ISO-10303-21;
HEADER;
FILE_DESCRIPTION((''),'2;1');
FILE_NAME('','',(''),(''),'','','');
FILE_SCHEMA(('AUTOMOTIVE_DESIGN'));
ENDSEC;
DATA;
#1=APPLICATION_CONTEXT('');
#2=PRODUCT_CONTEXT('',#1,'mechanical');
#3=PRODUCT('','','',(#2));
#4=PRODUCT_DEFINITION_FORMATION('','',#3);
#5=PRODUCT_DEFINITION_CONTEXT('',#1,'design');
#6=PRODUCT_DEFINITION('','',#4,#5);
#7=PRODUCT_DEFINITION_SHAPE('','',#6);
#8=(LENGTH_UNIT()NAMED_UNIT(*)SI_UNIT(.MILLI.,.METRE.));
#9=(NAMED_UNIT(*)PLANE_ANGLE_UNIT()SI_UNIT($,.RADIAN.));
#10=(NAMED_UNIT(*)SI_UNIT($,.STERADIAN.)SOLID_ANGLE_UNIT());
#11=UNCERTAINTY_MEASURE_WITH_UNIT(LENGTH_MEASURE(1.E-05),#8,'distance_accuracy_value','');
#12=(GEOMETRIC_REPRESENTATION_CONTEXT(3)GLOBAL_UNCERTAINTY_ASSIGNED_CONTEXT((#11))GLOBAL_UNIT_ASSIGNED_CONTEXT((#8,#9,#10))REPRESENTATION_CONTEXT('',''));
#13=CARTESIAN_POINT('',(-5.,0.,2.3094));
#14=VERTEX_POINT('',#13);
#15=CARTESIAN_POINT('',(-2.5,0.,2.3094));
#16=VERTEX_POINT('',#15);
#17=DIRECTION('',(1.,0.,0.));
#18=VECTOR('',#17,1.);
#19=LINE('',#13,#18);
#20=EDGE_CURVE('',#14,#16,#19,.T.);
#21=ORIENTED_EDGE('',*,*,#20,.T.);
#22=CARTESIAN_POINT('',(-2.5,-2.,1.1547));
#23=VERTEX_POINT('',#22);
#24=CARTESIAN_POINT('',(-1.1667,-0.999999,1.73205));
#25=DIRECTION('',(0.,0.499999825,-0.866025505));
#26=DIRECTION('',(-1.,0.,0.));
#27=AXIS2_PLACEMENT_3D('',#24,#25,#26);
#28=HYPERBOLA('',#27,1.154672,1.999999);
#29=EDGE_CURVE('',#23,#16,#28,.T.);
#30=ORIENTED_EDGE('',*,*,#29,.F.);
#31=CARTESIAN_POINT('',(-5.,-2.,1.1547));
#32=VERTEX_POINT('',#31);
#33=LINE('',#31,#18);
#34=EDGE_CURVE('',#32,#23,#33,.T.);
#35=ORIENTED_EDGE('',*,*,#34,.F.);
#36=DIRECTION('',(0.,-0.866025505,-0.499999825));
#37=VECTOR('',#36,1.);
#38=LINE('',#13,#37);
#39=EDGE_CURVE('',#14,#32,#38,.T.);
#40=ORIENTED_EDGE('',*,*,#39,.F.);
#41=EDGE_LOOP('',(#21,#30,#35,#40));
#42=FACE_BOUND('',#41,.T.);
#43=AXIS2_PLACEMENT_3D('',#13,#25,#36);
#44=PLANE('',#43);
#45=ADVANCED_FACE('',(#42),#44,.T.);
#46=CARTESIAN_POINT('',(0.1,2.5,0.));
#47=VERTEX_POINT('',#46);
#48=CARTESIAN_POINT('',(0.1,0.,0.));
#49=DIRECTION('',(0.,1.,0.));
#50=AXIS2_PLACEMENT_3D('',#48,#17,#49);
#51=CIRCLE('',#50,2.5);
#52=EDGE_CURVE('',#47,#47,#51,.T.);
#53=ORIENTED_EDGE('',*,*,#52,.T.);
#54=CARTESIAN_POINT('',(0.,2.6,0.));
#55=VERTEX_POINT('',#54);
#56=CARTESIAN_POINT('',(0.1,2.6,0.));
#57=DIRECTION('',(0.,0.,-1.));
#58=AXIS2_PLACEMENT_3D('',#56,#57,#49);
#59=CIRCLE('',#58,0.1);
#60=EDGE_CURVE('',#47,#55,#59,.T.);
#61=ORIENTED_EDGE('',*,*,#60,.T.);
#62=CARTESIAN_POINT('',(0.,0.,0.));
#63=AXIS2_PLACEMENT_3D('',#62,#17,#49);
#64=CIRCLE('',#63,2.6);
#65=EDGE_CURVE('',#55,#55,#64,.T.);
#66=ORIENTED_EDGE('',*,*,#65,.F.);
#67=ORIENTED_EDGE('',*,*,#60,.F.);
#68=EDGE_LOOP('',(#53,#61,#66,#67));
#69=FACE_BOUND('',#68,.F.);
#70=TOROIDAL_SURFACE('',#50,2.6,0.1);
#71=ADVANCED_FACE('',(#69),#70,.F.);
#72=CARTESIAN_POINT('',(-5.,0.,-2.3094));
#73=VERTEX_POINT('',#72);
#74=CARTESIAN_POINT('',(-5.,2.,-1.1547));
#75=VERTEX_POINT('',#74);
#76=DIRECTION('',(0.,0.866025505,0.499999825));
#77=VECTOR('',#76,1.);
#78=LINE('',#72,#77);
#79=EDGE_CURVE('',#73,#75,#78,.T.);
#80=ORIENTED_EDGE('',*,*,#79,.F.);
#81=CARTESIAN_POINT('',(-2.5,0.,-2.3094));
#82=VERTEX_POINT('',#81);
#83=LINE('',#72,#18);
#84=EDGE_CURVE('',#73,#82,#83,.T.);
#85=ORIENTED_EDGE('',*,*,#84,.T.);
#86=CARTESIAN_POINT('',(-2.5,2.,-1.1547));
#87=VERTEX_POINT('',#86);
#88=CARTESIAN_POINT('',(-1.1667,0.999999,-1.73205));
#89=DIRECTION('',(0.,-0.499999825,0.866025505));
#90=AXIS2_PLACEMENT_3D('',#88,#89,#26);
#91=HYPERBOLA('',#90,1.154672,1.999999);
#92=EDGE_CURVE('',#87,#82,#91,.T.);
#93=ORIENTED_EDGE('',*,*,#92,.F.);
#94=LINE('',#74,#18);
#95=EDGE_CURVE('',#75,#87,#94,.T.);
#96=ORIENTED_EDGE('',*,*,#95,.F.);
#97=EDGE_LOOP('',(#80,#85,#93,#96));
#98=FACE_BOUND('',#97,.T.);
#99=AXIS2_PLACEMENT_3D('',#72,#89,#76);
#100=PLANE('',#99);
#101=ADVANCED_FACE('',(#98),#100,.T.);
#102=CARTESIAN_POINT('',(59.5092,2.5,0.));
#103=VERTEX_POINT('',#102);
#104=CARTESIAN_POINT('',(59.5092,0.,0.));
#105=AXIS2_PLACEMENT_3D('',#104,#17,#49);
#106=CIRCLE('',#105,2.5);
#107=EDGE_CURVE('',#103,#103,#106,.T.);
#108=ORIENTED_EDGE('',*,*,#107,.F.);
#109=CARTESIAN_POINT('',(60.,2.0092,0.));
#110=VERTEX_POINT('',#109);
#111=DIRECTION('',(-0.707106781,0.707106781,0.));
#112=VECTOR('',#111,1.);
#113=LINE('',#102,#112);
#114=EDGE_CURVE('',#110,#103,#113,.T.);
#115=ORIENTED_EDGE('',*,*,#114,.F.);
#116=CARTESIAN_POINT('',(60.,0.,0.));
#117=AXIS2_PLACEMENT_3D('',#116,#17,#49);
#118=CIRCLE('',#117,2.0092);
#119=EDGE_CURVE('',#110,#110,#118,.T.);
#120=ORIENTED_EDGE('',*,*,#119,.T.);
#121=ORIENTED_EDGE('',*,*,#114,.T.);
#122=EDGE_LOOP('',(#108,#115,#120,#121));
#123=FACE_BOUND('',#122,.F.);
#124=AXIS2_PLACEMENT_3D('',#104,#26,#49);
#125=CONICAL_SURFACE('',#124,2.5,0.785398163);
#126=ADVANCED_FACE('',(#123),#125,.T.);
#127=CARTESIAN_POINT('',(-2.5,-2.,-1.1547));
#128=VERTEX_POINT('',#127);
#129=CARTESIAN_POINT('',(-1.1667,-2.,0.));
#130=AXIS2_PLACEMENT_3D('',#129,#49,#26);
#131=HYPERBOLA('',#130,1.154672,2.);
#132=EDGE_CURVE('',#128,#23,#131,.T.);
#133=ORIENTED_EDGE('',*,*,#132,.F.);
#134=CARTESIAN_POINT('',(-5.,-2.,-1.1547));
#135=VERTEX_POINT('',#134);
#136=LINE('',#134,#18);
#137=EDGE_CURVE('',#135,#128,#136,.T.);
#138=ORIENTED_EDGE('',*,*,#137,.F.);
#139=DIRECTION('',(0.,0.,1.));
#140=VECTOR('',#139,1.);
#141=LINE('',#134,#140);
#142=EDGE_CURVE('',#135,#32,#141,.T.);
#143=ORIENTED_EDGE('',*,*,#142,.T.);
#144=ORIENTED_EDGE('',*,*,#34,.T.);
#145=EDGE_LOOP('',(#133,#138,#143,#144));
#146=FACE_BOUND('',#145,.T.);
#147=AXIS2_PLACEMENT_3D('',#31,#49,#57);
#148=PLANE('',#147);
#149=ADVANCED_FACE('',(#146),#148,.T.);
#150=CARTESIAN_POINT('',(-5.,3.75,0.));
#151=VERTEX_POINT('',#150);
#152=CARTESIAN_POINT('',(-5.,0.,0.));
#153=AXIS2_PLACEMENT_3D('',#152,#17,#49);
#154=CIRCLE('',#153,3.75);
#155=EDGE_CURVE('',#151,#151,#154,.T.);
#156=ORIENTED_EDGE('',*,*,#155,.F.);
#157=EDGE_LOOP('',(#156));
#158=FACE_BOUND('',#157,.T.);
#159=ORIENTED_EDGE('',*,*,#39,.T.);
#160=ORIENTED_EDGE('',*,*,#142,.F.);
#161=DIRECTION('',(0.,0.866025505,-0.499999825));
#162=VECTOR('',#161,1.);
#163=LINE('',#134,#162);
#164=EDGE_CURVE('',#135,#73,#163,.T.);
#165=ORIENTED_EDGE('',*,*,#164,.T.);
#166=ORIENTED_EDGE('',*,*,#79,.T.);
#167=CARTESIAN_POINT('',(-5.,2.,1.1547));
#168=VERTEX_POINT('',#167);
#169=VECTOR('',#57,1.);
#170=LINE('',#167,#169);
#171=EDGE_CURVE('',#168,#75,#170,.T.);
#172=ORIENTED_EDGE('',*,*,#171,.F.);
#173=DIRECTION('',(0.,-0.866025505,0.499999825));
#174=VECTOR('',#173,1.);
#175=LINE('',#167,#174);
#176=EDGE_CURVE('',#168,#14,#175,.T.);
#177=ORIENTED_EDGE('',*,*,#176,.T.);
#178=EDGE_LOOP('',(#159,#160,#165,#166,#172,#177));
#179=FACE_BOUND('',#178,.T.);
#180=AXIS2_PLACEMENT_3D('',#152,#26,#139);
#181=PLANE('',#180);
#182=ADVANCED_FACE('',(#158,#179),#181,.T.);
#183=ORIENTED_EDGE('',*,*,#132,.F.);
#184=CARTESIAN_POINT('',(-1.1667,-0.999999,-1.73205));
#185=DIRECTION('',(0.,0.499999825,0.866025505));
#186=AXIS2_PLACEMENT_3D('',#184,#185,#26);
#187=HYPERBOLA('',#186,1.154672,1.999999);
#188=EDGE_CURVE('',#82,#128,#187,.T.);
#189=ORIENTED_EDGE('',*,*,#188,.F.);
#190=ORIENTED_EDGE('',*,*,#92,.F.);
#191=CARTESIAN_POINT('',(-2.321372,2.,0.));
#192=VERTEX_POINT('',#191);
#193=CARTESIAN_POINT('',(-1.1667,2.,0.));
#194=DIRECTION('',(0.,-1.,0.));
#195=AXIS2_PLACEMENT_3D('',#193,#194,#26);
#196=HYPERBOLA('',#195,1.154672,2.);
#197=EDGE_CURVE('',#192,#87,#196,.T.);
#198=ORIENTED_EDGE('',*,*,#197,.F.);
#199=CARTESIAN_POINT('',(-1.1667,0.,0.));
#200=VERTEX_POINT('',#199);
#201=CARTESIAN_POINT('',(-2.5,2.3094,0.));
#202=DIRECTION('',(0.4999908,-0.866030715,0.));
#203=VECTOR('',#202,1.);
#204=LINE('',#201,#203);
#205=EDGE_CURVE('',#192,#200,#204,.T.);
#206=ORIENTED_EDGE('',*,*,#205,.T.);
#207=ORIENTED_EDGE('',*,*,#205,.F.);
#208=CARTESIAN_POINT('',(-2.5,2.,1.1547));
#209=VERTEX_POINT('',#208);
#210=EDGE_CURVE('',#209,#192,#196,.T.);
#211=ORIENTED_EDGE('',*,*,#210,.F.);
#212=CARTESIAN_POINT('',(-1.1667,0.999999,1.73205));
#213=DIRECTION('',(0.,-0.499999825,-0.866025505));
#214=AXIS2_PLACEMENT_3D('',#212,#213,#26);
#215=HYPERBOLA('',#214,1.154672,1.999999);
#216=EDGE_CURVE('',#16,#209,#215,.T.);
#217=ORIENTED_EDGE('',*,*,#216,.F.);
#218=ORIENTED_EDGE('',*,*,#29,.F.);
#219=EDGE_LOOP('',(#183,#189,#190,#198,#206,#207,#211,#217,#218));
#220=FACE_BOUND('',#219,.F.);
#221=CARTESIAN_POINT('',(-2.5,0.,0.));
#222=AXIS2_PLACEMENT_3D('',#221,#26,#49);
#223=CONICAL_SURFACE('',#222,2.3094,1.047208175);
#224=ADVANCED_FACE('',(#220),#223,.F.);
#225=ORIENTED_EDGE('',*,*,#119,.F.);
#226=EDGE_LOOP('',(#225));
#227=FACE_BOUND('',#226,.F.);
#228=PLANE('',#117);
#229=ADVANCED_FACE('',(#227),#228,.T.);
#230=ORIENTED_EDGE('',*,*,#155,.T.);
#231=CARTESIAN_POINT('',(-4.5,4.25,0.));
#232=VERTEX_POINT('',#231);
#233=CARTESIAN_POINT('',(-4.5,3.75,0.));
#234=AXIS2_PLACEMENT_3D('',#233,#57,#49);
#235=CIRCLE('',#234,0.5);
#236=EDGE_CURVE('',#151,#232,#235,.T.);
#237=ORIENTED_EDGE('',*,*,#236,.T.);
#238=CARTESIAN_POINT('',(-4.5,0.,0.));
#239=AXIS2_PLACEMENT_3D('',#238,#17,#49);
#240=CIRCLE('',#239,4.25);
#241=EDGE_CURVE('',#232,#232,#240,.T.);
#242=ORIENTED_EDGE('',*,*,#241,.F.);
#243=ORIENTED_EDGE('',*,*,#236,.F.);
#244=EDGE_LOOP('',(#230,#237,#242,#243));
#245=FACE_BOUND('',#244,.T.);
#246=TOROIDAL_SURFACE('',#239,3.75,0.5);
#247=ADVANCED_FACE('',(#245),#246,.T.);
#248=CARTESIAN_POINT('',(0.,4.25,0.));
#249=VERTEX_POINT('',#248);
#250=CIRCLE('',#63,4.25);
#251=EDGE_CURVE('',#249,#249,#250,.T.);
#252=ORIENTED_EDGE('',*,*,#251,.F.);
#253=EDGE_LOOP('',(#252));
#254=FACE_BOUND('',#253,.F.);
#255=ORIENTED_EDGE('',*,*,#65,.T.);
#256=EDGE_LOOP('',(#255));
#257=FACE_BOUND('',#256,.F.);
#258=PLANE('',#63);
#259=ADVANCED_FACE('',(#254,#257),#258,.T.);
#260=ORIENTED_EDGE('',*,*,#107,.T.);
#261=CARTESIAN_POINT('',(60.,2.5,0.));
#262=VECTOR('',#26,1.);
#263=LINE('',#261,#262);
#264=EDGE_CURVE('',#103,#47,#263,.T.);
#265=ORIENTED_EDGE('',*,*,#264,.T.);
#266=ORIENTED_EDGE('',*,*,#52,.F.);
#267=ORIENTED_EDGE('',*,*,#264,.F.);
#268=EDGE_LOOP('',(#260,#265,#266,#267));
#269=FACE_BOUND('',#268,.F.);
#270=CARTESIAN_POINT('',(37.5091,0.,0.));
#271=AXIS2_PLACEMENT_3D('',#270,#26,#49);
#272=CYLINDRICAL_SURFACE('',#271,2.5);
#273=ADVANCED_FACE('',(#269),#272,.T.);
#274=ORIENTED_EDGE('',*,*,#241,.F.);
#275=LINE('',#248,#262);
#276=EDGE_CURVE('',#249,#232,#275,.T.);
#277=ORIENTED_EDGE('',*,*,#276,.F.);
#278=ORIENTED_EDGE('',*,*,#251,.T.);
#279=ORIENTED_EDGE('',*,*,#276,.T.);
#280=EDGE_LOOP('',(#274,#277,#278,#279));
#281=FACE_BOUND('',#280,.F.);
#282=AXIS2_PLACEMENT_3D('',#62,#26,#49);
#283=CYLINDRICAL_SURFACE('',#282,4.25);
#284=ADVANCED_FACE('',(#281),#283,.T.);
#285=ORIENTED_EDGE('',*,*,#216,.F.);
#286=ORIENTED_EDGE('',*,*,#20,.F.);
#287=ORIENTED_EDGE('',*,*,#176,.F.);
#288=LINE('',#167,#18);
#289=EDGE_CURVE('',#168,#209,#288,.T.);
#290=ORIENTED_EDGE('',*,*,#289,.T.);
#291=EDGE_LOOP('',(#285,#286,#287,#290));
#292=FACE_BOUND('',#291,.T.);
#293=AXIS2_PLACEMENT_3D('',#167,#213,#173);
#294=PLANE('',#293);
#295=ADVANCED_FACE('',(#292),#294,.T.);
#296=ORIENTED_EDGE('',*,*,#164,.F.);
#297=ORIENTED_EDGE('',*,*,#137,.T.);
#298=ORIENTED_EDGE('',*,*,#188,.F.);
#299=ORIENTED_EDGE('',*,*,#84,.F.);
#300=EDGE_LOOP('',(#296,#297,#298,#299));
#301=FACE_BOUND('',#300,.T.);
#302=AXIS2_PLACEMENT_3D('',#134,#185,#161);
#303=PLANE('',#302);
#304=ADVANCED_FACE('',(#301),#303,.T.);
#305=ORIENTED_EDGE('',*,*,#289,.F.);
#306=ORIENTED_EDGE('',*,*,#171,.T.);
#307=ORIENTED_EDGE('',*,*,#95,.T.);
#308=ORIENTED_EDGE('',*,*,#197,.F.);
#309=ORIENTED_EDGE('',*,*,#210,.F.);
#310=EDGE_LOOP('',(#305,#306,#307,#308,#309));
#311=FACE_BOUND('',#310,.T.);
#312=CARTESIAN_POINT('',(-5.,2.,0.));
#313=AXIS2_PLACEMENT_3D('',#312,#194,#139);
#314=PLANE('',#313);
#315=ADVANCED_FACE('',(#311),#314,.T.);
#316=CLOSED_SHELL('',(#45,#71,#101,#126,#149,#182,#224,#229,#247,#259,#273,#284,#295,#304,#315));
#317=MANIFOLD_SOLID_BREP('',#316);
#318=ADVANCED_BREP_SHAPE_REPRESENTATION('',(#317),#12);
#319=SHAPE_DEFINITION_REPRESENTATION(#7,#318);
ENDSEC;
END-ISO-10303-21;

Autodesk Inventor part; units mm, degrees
ref_plane "YZ Plane" through (0, 0, 0) normal (1, 0, 0) x (0, 1, 0)
ref_plane "XZ Plane" through (0, 0, 0) normal (0, 1, 0) x (-1, 0, 0)
sketch "Sketch1" plane through (0, 0, 0) normal (0, 0, 1) x (1, 0, 0)
  line L0 (-1.1667, 0) -> (60, 0)
  line L1 (60, 0) -> (60, 2.5)
  line L2 (60, 2.5) -> (38, 2.5)
  line L3 (38, 2.5) -> (37.5091, 2.5)
  line L4 (37.5091, 2.5) -> (0, 2.5)
  line L5 (0, 2.5) -> (0, 4.25)
  line L6 (0, 4.25) -> (-5, 4.25)
  line L7 (-5, 4.25) -> (-5, 2.3094)
  line L8 (-5, 2.3094) -> (-2.5, 2.3094)
  line L9 (-2.5, 2.3094) -> (-1.1667, 0)
  line L10 (-18, 0) -> (73, 0) projected
  line L11 (0, -0.85) -> (0, 5.1) projected
  line L12 (38, 2.5) -> (0, 2.5) construction
  dimension "d1" = 22
  dimension "d2" = 0.4909
  dimension "d3" = 5
  dimension "d4" = 2.5
  dimension "d5" = 60
  dimension "d6" = 5
  dimension "d7" = 5
  dimension "d8" = 4.6188
  dimension "d9" = 8.5
  dimension "d26" = 60
revolve "Body" add sketch "Sketch1" angle 360 about axis through (-1.1667, 0, 0) along (1, 0, 0)
sketch "Sketch2" plane through (-5, 0, 0) normal (-1, 0, 0) x (0, 0, 1)
  circle A0 centre (0, 0) radius 2.3094 projected
  line L0 (0, -5.95) -> (0, 5.95) projected
  line L1 (-5.95, 0) -> (5.95, 0) projected
  line L2 (2.3094, 0) -> (1.1547, -2)
  line L3 (1.1547, -2) -> (-1.1547, -2)
  line L4 (-1.1547, -2) -> (-2.3094, 0)
  line L5 (-2.3094, 0) -> (-1.1547, 2)
  line L6 (-1.1547, 2) -> (1.1547, 2)
  line L7 (1.1547, 2) -> (2.3094, 0)
extrude "Slot" add sketch "Sketch2" against normal up to next contours L7 A0 | A0 L2 | L6 L0 A0 | A0 L0 L3 | L0 L6 A0 | A0 L3 L0 | L4 A0 | A0 L5
fillet "Fillet1" radius 0.5 1 edges at (-5, -4.25, 0)
thread "Thread" size "M5x0.8" class "6g" standard "ISO Metric profile" full length
chamfer "Chamfer1" distance 0.4908 distance2 0.4908 1 edges at (60, -2.5, 0) measured on face at (60, -0.6238, -0.819)
ref_plane "Work Plane1" through (29, 0, 0) normal (0, -1, 0) x (1, 0, 0)
fillet "Fillet2" radius 0.1 1 edges at (0, -2.5, 0)
equation "\"d1\" = GEL"
equation "\"d3\" = KOH"
equation "\"d4\" = INTI"
equation "\"d6\" = GD"
equation "\"d7\" = BDM"
equation "\"d8\" = 1.1547 * SW"
equation "\"d9\" = KOD"
equation "\"d26\" = NLG"
equation "\"d30\" = R"
equation "\"d17\" = RR"
equation "\"d13\" = GEL"
equation "\"d15\" = -0.5 * SPD + 0.5 * GD"
equation "\"d16\" = GUL"
equation "\"GD\" = NND"
equation "\"NLG\" = 60"
equation "\"GEL\" = 22"
equation "\"KOD\" = 8.5"
equation "\"KOH\" = 5"
equation "\"INTI\" = 2.5"
equation "\"GAL\" = 0.61345 * PTC"
equation "\"GUL\" = 0.61345 * PTC"
equation "\"BDM\" = NND"
equation "\"SW\" = 4"
equation "\"RR\" = 0.5"
equation "\"SPD\" = 4.01848"
equation "\"R\" = 0.1"
equation "\"TOA\" = 30deg"
equation "\"THREADDIA\" = 5"
equation "\"PTC\" = 0.8"
equation "\"NND\" = 5"
equation "\"E0\" = 1.155 * SW"
equation "\"GD1\" = THREADDIA - 1.2269 * PTC"
properties part number "ANSI B18.3.1M - M5x0.8 x 60" material "Steel, Mild"
